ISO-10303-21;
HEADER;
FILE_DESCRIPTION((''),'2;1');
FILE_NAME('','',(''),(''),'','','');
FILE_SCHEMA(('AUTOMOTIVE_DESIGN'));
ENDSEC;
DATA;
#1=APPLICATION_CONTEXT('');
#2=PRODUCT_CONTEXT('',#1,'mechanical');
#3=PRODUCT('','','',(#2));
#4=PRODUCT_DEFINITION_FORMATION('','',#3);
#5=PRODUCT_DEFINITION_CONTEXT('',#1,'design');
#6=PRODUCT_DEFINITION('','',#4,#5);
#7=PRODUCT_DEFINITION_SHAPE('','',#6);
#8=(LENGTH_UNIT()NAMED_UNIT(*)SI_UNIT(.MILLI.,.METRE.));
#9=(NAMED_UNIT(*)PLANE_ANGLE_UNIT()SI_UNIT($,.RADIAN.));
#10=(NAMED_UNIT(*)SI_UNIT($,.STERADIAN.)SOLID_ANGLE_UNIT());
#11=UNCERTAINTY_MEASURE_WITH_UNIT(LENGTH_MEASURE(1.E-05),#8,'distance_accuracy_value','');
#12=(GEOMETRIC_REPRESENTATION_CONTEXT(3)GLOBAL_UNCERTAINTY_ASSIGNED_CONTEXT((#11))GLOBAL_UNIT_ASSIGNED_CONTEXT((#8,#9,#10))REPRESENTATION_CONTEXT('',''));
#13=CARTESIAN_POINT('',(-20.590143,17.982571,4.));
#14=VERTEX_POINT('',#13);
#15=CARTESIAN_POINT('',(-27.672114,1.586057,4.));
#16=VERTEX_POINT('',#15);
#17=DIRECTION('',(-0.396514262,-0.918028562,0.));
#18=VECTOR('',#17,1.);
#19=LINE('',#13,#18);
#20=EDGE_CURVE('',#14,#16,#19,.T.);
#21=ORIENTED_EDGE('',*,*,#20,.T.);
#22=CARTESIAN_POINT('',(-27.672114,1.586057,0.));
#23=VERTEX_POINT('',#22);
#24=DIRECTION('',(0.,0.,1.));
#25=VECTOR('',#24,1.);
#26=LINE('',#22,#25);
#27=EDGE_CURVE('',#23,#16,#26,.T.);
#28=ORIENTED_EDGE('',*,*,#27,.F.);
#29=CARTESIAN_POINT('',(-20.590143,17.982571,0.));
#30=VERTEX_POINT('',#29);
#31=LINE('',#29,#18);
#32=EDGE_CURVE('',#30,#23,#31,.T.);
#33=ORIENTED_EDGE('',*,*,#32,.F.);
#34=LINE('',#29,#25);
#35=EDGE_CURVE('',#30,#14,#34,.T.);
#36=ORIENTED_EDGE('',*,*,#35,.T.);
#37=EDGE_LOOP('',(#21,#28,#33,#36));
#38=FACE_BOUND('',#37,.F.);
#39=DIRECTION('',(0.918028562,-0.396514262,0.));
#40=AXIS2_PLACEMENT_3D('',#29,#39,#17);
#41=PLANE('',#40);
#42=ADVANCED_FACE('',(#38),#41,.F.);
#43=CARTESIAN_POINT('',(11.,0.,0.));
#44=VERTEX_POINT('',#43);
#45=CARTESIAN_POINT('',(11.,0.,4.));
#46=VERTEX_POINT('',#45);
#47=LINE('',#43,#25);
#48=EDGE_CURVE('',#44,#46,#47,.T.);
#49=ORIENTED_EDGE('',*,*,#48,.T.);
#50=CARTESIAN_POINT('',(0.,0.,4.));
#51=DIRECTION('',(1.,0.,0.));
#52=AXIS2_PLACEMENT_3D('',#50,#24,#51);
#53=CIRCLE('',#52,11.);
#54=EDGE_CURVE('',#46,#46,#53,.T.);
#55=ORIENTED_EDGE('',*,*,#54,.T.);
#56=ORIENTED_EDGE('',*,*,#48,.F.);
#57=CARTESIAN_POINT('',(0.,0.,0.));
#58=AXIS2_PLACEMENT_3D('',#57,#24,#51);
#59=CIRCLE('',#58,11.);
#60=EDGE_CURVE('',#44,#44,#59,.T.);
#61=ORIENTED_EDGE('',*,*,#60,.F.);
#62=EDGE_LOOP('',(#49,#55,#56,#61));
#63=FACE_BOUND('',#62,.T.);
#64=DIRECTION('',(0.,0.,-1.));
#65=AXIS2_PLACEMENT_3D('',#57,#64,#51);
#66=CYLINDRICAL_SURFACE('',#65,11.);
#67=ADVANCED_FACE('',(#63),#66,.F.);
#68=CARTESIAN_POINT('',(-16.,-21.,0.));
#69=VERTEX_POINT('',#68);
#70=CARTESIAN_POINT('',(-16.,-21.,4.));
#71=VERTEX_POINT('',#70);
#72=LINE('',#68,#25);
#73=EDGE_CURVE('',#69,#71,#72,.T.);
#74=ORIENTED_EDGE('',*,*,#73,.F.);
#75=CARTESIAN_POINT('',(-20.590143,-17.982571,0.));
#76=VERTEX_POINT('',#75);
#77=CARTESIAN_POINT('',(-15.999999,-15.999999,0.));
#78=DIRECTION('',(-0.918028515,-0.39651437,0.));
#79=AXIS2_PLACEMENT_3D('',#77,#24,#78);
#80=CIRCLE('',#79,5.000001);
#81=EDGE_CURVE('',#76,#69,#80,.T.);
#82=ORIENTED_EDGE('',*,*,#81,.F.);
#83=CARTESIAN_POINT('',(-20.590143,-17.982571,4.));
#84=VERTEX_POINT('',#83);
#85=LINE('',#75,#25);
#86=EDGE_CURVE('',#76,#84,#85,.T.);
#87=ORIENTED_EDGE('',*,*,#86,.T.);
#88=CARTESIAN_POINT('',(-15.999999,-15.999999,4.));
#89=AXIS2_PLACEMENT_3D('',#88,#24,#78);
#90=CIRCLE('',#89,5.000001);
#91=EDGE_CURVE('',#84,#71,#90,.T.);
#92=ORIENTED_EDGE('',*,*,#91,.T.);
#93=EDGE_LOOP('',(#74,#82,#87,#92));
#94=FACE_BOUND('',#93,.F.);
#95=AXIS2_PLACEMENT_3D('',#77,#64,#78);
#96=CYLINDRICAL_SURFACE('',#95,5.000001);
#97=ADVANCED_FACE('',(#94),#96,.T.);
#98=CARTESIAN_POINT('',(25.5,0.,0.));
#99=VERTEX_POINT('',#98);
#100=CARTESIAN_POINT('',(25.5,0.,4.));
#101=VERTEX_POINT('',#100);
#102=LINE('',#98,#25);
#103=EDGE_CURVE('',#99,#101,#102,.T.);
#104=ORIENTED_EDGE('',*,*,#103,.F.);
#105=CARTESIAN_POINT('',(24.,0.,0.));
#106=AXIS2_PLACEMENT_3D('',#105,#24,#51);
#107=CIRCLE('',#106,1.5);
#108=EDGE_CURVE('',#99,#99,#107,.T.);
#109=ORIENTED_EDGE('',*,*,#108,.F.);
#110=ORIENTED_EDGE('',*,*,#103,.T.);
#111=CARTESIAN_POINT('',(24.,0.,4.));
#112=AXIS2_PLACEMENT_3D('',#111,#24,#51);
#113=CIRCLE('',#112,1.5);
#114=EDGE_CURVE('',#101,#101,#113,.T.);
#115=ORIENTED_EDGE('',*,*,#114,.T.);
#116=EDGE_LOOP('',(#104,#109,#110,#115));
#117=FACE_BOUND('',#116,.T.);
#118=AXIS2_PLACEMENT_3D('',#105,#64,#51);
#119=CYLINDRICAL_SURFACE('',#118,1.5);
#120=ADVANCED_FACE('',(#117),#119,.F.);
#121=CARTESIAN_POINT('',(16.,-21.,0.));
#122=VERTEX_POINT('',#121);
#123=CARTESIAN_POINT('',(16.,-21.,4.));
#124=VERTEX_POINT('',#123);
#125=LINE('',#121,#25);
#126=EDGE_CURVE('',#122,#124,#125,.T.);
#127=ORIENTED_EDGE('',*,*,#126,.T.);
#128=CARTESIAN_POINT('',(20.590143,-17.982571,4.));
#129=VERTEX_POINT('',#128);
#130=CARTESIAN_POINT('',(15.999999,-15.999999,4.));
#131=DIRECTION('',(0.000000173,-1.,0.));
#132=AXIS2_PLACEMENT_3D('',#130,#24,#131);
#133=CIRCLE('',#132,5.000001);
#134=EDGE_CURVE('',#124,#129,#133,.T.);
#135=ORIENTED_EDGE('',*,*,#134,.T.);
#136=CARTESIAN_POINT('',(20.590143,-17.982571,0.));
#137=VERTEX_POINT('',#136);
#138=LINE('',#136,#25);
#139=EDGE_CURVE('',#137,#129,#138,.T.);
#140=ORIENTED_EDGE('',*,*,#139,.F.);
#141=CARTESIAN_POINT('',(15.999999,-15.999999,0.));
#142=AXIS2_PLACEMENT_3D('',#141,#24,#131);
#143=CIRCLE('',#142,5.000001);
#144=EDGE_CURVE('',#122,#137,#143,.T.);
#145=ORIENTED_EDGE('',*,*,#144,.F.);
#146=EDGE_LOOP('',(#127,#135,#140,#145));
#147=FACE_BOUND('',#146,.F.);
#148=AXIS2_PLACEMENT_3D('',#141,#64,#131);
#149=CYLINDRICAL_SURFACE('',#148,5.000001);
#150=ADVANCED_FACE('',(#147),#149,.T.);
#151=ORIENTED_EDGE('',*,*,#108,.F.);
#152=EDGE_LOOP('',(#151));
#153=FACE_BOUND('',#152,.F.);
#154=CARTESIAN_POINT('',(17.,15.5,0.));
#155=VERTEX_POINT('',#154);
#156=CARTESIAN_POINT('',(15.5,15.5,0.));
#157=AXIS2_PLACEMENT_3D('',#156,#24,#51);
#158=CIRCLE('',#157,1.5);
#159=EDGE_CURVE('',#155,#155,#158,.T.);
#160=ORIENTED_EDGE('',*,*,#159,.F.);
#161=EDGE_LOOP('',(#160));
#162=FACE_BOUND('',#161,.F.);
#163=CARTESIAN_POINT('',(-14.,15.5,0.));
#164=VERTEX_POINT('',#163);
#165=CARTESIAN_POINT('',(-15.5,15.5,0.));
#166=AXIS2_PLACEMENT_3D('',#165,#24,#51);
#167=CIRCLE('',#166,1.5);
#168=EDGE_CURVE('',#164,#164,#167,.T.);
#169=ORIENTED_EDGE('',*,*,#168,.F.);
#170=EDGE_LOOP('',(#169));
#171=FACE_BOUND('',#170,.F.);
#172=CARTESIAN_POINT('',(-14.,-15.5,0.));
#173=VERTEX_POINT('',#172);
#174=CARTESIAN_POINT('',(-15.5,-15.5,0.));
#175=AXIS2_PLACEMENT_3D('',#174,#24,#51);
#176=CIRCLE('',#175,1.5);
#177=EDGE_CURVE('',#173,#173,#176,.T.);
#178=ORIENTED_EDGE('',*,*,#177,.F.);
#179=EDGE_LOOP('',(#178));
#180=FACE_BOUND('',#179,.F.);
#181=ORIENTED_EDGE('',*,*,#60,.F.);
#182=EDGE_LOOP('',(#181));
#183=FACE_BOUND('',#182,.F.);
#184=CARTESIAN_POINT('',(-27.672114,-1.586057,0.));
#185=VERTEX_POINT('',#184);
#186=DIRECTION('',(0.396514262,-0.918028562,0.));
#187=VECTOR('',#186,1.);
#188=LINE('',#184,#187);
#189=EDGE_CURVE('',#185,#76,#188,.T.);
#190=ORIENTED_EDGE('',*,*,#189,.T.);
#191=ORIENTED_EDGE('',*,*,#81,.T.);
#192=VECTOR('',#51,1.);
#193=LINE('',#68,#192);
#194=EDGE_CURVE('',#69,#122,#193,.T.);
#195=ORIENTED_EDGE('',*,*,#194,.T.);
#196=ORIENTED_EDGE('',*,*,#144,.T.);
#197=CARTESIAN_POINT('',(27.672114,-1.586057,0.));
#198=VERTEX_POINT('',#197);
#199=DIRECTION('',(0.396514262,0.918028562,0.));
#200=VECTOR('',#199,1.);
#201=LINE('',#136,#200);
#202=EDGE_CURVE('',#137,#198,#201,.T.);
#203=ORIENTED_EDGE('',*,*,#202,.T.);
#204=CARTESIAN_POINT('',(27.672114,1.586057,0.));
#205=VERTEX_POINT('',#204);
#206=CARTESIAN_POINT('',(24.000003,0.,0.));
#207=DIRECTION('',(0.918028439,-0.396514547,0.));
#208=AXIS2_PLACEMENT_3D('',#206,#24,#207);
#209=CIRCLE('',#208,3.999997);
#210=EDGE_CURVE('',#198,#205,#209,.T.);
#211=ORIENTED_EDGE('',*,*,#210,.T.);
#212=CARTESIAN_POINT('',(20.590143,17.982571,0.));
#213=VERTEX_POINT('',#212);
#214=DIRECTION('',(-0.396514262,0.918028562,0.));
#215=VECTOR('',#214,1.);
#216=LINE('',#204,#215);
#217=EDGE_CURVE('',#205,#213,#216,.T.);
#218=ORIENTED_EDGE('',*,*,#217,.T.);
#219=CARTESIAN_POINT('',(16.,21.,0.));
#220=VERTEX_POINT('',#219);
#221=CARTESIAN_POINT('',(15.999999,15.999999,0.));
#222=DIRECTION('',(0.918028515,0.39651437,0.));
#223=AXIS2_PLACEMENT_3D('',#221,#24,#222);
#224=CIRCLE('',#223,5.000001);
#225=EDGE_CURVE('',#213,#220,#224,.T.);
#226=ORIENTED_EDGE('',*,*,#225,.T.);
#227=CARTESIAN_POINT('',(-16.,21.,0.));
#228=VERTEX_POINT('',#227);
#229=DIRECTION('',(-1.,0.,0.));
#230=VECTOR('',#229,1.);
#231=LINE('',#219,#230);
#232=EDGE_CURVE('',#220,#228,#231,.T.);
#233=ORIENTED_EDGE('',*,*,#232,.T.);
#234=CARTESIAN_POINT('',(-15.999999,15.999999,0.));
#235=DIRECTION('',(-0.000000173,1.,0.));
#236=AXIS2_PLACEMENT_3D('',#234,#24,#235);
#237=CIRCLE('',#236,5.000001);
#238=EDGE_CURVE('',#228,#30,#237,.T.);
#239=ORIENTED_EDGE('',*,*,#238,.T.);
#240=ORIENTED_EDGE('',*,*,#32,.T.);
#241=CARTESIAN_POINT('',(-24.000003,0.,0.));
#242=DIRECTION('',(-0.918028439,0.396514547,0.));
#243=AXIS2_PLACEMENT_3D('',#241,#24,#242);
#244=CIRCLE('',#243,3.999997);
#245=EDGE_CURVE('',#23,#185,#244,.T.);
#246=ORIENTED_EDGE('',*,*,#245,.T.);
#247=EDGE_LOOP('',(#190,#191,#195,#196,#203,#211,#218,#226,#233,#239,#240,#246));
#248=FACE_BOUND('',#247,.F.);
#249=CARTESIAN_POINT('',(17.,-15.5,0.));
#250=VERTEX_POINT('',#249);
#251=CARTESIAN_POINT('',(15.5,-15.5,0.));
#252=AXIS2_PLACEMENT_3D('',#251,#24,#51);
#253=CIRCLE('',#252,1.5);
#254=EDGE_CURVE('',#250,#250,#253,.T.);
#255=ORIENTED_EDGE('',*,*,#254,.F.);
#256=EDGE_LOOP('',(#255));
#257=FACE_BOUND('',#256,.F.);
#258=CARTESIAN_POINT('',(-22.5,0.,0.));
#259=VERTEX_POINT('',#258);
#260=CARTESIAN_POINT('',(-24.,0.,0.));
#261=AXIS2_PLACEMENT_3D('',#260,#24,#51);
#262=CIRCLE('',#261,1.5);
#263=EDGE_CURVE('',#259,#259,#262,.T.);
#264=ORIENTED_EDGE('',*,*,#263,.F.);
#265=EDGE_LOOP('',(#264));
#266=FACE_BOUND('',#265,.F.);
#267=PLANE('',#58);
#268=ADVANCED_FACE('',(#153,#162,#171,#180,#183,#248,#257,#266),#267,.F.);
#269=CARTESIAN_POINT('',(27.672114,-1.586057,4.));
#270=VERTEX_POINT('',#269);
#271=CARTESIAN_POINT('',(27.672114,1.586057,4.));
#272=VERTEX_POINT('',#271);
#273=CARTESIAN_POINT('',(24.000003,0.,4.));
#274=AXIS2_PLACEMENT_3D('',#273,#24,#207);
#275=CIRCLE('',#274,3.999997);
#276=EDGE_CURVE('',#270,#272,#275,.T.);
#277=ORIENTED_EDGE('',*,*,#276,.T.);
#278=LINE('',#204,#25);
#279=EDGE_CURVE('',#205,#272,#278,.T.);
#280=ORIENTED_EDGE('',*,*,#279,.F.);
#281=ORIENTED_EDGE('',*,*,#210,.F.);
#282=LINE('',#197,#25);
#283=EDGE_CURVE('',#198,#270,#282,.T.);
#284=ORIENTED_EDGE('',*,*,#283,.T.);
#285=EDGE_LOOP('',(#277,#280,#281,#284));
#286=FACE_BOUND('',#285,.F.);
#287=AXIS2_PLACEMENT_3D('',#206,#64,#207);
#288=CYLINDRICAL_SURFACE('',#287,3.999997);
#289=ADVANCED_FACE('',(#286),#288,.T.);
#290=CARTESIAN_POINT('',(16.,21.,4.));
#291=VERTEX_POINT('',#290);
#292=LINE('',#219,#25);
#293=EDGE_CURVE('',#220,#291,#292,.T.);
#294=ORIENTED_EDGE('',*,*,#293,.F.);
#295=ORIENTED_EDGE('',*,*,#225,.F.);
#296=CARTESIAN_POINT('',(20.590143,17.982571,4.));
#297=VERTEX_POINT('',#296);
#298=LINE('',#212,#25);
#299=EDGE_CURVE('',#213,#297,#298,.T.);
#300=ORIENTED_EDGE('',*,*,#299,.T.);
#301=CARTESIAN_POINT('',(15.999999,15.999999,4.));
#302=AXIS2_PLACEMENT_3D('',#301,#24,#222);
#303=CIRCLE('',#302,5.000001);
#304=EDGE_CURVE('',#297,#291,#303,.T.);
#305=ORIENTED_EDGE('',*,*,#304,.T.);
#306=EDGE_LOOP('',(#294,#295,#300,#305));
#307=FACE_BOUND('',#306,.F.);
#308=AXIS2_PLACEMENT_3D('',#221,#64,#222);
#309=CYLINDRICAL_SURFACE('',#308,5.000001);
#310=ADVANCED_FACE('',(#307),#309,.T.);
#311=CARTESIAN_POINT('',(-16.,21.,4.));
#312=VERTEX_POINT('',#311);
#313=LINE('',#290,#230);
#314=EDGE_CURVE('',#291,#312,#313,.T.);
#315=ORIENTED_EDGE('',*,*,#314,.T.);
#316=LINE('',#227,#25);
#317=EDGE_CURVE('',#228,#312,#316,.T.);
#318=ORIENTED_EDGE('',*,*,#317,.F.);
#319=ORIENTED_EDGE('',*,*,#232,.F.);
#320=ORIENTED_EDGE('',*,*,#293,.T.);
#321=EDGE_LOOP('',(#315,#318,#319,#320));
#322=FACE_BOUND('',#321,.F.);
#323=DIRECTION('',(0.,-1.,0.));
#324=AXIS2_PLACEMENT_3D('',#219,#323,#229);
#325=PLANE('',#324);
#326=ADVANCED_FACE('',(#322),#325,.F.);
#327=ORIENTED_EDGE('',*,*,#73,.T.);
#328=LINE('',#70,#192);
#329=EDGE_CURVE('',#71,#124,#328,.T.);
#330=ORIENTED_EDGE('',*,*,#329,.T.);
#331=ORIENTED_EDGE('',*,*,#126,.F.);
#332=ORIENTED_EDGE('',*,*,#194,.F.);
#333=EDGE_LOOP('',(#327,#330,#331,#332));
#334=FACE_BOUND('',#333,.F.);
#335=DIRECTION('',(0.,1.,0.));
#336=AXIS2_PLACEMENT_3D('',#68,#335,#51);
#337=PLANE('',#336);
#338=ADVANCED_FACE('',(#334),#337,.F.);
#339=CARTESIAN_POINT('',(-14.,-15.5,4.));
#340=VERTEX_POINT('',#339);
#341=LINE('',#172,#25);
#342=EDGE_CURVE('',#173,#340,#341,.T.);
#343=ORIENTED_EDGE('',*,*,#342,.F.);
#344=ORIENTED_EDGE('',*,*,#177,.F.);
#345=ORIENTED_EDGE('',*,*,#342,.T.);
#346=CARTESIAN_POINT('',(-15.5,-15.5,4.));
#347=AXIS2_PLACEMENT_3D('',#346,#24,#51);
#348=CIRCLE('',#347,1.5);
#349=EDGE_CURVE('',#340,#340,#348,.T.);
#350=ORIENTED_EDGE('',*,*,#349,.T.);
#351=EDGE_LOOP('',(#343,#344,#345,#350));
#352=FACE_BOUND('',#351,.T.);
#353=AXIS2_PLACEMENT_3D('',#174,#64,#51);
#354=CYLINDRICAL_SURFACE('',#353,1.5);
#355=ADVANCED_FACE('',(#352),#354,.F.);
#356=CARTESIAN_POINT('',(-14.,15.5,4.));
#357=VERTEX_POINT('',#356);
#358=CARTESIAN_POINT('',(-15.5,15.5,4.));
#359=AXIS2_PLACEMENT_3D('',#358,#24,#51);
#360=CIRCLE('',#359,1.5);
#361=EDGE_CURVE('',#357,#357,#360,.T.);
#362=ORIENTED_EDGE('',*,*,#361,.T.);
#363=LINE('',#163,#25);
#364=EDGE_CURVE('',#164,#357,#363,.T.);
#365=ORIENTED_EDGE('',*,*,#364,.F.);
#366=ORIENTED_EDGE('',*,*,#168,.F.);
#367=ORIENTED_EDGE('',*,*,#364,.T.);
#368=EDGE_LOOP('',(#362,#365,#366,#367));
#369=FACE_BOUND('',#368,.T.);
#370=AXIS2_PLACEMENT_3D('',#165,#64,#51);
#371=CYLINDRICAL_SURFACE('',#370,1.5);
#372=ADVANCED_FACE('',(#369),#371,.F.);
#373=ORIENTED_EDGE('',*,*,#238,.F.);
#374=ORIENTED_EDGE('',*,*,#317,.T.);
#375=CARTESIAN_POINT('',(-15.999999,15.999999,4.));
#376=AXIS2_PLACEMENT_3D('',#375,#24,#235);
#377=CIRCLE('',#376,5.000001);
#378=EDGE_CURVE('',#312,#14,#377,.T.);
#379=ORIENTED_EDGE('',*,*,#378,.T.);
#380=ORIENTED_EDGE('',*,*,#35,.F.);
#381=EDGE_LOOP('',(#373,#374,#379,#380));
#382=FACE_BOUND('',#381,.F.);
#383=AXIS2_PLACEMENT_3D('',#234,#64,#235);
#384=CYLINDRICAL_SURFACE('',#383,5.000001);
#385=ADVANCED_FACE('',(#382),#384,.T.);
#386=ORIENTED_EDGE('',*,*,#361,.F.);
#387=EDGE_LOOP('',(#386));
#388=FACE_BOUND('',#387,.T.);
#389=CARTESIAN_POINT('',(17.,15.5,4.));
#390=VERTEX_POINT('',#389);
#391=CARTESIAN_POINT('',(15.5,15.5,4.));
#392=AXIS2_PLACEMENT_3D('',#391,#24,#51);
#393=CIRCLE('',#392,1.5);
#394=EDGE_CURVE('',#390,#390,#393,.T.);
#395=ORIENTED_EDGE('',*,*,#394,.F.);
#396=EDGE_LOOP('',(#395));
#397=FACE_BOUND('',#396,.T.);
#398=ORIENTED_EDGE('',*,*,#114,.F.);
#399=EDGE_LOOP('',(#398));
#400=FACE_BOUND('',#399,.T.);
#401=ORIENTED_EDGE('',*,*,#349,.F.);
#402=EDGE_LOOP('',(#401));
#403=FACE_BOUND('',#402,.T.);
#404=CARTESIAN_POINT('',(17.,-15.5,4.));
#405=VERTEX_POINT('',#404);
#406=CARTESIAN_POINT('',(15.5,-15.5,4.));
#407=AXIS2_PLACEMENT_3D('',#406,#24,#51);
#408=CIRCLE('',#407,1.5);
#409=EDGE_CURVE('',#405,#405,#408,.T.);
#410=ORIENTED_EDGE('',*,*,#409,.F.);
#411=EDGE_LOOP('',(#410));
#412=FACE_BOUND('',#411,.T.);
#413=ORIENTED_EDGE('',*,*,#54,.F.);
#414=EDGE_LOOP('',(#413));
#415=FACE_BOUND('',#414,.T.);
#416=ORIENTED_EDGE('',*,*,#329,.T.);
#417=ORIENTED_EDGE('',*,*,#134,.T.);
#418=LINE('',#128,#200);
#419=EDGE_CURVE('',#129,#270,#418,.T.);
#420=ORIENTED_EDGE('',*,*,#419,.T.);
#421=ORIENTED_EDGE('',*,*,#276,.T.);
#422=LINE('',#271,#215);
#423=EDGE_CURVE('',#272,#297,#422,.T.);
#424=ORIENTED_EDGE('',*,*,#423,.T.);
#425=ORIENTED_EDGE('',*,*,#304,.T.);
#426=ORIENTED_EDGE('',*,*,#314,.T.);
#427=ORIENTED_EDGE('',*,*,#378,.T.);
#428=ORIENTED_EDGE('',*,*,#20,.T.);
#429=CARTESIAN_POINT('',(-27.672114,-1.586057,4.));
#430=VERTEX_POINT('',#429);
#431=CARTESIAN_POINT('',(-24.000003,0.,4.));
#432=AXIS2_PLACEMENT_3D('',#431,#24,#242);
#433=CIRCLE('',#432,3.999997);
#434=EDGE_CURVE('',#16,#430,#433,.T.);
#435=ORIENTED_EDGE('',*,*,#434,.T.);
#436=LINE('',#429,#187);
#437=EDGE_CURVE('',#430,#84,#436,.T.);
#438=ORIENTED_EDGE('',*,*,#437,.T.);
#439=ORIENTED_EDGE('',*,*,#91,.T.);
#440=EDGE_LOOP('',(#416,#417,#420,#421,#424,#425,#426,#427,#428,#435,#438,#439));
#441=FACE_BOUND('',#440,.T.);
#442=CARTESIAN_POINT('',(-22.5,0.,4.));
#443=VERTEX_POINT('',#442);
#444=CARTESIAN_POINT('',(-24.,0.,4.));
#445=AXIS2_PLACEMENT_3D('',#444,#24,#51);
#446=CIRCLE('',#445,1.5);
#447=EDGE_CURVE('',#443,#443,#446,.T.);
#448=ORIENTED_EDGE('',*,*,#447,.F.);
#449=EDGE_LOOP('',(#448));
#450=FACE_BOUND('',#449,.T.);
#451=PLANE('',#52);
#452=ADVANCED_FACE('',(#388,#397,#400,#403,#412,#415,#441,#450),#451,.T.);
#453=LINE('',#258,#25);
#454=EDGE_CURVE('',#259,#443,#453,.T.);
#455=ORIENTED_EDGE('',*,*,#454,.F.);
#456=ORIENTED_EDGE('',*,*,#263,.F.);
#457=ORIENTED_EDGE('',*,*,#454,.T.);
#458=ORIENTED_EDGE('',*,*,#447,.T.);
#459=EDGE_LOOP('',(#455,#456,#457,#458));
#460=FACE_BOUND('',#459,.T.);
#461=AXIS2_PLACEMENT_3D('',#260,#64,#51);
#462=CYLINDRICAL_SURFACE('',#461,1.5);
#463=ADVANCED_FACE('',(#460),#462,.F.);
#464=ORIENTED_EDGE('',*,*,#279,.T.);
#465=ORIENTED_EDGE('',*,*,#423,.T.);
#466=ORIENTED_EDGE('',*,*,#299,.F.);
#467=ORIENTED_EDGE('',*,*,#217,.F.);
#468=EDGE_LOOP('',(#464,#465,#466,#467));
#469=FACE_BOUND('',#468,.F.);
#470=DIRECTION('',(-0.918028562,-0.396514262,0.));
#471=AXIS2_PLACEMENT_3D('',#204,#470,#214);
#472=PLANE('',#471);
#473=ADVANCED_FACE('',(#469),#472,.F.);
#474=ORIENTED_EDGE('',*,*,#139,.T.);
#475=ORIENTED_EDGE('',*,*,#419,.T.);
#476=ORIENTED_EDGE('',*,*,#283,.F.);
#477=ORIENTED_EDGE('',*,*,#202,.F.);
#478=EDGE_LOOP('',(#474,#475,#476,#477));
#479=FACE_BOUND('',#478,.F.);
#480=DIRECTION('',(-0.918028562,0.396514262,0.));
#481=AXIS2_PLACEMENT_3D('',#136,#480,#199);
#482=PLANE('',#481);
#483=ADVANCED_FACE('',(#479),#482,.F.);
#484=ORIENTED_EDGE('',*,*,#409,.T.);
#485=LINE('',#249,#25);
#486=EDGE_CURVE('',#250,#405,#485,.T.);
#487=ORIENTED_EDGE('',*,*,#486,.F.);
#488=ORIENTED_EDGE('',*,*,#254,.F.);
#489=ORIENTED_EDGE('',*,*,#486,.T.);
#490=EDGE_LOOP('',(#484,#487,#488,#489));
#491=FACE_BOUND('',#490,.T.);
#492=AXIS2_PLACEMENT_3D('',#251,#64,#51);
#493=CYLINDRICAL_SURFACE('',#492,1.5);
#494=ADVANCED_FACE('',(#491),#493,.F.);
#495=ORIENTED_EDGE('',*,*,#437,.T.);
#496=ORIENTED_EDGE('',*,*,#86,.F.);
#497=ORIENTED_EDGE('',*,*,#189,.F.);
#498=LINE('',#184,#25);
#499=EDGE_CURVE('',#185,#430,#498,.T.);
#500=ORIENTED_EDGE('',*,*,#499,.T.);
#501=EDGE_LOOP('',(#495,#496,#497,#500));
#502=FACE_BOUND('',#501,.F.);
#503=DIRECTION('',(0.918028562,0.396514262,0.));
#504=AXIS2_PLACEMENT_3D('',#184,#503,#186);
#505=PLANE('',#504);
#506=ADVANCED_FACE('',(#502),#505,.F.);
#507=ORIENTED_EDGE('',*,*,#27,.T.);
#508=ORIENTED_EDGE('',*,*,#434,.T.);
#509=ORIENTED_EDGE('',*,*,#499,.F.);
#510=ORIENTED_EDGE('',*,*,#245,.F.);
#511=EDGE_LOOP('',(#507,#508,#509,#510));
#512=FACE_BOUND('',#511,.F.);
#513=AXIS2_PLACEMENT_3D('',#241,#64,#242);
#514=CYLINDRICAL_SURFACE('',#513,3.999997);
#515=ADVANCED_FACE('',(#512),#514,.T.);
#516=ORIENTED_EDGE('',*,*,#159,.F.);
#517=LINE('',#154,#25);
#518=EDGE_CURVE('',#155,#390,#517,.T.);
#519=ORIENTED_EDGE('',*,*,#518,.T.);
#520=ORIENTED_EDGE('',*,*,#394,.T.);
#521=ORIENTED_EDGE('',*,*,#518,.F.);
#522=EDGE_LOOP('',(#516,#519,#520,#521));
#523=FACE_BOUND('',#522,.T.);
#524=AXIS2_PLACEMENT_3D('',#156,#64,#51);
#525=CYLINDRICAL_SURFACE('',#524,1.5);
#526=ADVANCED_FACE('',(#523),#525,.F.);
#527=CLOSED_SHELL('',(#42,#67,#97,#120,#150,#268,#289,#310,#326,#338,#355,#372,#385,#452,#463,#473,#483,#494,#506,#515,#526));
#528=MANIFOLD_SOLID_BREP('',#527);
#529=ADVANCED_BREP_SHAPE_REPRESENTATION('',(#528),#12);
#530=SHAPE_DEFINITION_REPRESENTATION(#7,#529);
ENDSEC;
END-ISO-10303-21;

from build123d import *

# Parameters (mm, degrees)
F0_R     = 1.5
F0_R_2   = 11
F1_DEPTH = 4


with BuildPart() as f1:
    # F0 (on Top) → F1 (new body)
    with BuildSketch(Plane.XY):
        with BuildLine():
            Line((-20.590143, 17.982571), (-27.672114, 1.586057))
            ThreePointArc((-27.672114, 1.586057), (-28, 0), (-27.672114, -1.586057))
            Line((-27.672114, -1.586057), (-20.590143, -17.982571))
            ThreePointArc((-20.590143, -17.982571), (-18.746556, -20.178089), (-16, -21))
            Line((-16, -21), (16, -21))
            ThreePointArc((16, -21), (18.746556, -20.178089), (20.590143, -17.982571))
            Line((20.590143, -17.982571), (27.672114, -1.586057))
            ThreePointArc((27.672114, -1.586057), (28, 0), (27.672114, 1.586057))
            Line((27.672114, 1.586057), (20.590143, 17.982571))
            ThreePointArc((20.590143, 17.982571), (18.746556, 20.178089), (16, 21))
            Line((16, 21), (-16, 21))
            ThreePointArc((-16, 21), (-18.746556, 20.178089), (-20.590143, 17.982571))
        make_face()
        with Locations((-15.5, -15.5)):
            Circle(F0_R, mode=Mode.SUBTRACT)
        with Locations((15.5, -15.5)):
            Circle(F0_R, mode=Mode.SUBTRACT)
        with Locations((-24, 0)):
            Circle(F0_R, mode=Mode.SUBTRACT)
        with Locations((-15.5, 15.5)):
            Circle(F0_R, mode=Mode.SUBTRACT)
        Circle(F0_R_2, mode=Mode.SUBTRACT)
        with Locations((24, 0)):
            Circle(F0_R, mode=Mode.SUBTRACT)
        with Locations((15.5, 15.5)):
            Circle(F0_R, mode=Mode.SUBTRACT)
    extrude(amount=F1_DEPTH)


solid = f1.part
